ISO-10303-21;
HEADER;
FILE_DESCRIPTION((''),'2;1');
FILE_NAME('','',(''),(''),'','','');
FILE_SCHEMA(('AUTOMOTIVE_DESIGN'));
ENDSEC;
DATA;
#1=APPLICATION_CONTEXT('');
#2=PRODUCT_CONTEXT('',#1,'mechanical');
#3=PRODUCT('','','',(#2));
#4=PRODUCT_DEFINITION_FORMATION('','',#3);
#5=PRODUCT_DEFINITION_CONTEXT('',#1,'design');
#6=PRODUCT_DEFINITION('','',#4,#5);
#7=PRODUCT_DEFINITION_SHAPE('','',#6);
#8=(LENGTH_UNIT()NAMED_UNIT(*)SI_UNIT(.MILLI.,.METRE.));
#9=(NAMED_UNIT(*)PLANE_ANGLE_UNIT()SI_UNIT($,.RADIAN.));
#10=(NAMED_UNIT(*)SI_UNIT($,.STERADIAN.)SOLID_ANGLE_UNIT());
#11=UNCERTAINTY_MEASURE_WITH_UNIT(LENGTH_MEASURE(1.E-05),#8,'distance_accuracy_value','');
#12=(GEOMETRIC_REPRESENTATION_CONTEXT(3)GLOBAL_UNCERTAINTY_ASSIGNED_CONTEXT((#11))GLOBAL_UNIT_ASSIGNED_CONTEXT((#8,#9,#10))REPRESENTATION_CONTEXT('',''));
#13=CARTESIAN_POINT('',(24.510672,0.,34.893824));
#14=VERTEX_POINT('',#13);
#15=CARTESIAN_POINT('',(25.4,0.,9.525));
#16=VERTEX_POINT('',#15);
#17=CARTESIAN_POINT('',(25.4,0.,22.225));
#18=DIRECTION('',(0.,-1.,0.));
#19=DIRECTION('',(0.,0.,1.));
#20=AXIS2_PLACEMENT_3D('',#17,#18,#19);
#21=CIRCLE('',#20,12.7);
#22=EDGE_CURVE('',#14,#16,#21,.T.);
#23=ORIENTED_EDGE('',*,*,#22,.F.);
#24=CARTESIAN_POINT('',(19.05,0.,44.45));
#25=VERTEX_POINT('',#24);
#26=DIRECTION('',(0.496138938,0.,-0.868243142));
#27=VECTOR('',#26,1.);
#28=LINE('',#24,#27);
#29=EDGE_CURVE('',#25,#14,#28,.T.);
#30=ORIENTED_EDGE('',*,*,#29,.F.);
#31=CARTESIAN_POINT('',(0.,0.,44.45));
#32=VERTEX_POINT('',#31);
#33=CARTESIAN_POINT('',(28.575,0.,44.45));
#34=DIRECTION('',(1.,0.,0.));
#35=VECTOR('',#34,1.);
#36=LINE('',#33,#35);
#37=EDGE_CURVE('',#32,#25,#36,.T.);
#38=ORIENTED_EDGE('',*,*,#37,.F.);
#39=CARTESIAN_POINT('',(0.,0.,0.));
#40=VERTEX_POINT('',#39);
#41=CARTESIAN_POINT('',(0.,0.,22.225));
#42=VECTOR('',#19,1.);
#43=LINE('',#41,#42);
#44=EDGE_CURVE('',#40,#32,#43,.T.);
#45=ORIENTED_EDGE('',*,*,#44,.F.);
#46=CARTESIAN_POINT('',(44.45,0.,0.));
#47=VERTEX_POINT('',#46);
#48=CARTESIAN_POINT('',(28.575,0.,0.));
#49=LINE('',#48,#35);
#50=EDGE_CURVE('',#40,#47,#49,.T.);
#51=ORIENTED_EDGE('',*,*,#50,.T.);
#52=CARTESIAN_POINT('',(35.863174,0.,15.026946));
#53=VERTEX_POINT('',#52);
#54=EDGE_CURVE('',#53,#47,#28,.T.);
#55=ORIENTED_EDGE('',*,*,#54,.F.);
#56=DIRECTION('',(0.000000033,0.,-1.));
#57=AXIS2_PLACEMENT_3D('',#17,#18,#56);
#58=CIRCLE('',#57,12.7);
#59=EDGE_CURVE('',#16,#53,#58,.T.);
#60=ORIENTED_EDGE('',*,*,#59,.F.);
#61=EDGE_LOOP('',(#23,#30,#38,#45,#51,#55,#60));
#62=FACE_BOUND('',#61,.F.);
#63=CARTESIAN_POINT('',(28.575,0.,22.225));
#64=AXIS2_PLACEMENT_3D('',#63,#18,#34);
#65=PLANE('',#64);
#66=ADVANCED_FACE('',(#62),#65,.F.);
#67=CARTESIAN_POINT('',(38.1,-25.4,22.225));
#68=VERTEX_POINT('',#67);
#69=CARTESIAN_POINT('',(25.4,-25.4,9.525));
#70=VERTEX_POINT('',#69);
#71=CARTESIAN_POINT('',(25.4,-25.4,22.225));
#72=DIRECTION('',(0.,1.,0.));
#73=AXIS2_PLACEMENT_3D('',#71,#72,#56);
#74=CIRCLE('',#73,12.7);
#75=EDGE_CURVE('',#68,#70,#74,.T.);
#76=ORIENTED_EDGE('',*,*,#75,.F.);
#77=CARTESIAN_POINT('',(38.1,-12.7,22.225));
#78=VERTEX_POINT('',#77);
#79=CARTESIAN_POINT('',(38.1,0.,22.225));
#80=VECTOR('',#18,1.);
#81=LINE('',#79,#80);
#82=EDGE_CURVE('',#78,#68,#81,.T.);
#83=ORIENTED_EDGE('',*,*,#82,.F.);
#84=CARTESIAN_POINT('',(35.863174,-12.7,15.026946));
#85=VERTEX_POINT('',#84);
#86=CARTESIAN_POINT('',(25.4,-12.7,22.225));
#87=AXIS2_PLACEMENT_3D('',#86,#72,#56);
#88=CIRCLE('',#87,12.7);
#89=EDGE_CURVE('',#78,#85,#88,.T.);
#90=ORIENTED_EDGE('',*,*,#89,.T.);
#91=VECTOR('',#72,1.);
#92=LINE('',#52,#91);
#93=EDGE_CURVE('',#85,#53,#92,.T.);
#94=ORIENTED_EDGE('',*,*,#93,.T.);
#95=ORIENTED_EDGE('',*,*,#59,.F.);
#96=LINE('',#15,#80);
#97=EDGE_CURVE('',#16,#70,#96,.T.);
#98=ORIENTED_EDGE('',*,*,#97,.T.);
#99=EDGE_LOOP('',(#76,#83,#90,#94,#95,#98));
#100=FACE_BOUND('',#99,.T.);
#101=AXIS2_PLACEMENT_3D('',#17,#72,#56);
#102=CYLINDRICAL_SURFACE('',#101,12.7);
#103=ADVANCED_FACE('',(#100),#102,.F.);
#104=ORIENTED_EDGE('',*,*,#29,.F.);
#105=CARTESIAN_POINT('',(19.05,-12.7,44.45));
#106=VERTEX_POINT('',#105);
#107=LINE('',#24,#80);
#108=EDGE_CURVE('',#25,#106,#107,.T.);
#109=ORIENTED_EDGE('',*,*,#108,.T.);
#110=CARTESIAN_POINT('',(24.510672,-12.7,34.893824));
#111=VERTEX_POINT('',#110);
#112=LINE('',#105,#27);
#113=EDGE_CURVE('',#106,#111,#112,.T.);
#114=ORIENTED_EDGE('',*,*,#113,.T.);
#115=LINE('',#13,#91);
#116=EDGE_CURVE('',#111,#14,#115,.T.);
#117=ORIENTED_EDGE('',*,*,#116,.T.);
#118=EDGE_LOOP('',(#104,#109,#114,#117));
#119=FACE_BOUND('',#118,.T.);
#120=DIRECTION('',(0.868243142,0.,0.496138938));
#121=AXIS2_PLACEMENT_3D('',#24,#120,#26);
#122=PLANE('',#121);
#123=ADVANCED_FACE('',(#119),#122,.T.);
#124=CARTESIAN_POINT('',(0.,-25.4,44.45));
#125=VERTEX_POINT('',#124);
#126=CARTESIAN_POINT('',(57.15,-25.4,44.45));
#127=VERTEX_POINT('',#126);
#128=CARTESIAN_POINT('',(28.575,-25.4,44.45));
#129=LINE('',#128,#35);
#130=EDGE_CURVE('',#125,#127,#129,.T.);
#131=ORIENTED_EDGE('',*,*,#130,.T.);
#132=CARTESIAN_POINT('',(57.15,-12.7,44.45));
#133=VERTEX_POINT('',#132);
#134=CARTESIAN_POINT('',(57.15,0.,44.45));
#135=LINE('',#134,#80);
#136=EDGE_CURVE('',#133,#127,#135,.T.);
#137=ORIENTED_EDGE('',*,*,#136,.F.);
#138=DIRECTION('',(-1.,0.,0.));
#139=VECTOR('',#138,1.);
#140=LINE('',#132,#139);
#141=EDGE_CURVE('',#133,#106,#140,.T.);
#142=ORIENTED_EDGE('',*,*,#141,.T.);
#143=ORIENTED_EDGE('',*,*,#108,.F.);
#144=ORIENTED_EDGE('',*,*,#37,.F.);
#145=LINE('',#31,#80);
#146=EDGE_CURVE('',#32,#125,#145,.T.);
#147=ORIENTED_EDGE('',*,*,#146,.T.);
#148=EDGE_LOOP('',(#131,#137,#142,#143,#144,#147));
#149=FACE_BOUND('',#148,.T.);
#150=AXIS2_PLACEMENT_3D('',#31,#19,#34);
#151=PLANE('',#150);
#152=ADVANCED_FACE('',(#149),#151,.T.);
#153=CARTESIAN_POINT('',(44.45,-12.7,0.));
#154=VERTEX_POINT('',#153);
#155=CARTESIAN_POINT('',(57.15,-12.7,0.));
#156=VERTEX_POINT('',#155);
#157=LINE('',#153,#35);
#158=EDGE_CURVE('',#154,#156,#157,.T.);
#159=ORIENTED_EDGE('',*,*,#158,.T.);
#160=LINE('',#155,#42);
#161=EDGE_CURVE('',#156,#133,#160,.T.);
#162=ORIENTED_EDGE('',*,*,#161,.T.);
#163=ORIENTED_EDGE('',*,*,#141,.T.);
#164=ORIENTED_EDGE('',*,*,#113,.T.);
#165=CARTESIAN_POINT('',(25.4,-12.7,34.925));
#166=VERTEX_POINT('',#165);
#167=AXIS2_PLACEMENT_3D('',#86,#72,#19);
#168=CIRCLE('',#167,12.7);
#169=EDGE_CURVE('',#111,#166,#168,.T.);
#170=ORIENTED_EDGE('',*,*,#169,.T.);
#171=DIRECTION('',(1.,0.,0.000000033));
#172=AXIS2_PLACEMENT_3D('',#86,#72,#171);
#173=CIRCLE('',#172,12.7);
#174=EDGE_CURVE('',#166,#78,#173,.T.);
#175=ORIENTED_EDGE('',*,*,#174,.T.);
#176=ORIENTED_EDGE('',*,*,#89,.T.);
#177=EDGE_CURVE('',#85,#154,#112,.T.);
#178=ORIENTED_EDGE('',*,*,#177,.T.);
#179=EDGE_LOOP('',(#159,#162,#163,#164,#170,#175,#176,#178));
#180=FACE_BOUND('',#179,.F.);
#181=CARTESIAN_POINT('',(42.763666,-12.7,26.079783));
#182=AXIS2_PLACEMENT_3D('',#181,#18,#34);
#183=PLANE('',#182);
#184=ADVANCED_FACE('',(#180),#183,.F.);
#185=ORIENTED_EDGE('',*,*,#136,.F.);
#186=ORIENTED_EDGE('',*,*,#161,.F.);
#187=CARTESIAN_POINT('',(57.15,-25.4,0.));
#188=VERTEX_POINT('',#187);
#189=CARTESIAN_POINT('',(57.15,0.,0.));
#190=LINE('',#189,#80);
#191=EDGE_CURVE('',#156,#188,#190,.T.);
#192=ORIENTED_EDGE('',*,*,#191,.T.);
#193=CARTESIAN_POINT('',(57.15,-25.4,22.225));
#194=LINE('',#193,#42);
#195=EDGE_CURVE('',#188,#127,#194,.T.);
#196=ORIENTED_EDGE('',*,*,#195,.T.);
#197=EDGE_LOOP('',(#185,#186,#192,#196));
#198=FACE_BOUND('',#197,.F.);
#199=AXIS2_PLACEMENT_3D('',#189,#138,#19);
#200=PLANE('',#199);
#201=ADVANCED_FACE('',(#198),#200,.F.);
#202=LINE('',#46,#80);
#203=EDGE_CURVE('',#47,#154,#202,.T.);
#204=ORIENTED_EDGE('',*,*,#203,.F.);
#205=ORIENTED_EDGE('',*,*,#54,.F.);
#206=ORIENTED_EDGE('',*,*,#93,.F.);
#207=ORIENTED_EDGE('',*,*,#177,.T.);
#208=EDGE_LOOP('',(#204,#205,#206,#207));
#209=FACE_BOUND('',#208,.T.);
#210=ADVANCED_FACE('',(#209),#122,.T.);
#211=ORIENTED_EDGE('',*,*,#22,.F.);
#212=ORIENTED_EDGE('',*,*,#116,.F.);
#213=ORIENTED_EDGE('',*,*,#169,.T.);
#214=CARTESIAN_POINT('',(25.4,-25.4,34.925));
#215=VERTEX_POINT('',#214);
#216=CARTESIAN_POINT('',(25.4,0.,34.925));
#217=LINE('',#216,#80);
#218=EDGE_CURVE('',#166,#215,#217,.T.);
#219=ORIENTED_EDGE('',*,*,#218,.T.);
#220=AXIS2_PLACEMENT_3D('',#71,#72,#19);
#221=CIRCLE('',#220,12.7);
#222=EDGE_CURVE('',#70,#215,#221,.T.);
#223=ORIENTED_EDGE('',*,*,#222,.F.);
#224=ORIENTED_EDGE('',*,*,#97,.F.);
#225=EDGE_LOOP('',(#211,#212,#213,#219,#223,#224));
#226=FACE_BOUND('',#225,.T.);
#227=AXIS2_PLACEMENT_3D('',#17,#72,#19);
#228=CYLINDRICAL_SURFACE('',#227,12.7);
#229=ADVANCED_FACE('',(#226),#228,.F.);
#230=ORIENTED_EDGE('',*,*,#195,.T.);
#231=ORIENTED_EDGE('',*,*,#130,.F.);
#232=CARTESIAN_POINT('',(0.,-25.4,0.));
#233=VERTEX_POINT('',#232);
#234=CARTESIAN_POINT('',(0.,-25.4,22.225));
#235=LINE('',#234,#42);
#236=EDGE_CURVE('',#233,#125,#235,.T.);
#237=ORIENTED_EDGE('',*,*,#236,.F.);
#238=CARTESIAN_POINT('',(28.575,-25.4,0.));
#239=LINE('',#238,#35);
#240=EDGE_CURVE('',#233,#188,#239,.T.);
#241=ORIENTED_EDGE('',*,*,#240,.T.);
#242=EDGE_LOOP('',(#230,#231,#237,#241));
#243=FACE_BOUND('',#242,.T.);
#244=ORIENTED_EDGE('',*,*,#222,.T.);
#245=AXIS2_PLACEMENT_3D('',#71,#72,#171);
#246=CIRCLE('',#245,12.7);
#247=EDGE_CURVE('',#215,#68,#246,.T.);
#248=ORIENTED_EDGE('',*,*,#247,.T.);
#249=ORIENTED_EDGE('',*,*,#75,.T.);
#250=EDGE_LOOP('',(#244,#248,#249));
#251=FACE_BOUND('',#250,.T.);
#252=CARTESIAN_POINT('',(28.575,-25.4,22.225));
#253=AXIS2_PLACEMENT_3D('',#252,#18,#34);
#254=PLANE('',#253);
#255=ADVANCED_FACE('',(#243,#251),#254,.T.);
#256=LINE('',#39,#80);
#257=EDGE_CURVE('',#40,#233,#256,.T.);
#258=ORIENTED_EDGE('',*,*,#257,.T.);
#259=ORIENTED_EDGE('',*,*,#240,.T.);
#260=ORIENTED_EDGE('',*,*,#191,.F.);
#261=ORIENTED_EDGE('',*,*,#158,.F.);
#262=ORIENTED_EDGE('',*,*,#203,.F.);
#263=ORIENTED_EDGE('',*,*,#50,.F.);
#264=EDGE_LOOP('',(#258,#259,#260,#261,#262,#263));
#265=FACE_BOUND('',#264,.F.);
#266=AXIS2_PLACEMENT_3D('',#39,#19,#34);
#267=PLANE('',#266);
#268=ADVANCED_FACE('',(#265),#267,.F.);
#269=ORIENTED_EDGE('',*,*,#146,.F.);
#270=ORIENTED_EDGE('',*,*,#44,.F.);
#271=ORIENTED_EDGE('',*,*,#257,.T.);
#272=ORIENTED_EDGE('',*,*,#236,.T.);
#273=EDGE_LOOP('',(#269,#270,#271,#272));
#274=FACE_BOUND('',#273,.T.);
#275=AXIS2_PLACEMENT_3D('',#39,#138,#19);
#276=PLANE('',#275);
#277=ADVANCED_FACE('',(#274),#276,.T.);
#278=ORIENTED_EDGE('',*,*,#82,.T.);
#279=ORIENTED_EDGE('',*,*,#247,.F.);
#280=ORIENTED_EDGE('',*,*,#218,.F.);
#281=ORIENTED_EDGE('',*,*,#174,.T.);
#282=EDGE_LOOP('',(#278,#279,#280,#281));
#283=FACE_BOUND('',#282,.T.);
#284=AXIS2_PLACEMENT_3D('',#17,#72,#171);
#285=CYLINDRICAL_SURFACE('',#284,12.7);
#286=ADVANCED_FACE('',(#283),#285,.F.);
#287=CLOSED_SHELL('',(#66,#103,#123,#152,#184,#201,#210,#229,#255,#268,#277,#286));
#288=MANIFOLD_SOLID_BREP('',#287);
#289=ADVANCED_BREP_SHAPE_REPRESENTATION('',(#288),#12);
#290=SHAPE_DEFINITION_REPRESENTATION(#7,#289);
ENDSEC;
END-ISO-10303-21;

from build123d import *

# Parameters (mm, degrees)
F0_W     = 57.15
F0_H     = 44.45
F1_DEPTH = 25.4
F3_DEPTH = 12.7
F5_DEPTH = 25.401


with BuildPart() as f1:
    # F0 (on Front) → F1 (new body)
    with BuildSketch(Plane.XZ):
        with Locations((28.575, 22.225)):
            Rectangle(F0_W, F0_H)
    extrude(amount=F1_DEPTH)

    # F2 (on Front) → F3 (cut)
    with BuildSketch(Plane.XZ):
        Polygon((19.05, 44.45), (44.45, 0), (57.15, 0), (57.15, 44.45), align=None)
    extrude(amount=F3_DEPTH, mode=Mode.SUBTRACT)

    # F4 (on Front) → F5 (cut, through all)
    with BuildSketch(Plane.XZ):
        with BuildLine():
            ThreePointArc((38.1, 22.225), (34.380256, 31.205256), (25.4, 34.925))
            Line((25.4, 34.925), (25.4, 9.525))
            ThreePointArc((25.4, 9.525), (34.380256, 13.244744), (38.1, 22.225))
        make_face()
        with BuildLine():
            Line((25.4, 9.525), (25.4, 34.925))
            ThreePointArc((25.4, 34.925), (12.7, 22.225), (25.4, 9.525))
        make_face()
    extrude(amount=F5_DEPTH, mode=Mode.SUBTRACT)


solid = f1.part
